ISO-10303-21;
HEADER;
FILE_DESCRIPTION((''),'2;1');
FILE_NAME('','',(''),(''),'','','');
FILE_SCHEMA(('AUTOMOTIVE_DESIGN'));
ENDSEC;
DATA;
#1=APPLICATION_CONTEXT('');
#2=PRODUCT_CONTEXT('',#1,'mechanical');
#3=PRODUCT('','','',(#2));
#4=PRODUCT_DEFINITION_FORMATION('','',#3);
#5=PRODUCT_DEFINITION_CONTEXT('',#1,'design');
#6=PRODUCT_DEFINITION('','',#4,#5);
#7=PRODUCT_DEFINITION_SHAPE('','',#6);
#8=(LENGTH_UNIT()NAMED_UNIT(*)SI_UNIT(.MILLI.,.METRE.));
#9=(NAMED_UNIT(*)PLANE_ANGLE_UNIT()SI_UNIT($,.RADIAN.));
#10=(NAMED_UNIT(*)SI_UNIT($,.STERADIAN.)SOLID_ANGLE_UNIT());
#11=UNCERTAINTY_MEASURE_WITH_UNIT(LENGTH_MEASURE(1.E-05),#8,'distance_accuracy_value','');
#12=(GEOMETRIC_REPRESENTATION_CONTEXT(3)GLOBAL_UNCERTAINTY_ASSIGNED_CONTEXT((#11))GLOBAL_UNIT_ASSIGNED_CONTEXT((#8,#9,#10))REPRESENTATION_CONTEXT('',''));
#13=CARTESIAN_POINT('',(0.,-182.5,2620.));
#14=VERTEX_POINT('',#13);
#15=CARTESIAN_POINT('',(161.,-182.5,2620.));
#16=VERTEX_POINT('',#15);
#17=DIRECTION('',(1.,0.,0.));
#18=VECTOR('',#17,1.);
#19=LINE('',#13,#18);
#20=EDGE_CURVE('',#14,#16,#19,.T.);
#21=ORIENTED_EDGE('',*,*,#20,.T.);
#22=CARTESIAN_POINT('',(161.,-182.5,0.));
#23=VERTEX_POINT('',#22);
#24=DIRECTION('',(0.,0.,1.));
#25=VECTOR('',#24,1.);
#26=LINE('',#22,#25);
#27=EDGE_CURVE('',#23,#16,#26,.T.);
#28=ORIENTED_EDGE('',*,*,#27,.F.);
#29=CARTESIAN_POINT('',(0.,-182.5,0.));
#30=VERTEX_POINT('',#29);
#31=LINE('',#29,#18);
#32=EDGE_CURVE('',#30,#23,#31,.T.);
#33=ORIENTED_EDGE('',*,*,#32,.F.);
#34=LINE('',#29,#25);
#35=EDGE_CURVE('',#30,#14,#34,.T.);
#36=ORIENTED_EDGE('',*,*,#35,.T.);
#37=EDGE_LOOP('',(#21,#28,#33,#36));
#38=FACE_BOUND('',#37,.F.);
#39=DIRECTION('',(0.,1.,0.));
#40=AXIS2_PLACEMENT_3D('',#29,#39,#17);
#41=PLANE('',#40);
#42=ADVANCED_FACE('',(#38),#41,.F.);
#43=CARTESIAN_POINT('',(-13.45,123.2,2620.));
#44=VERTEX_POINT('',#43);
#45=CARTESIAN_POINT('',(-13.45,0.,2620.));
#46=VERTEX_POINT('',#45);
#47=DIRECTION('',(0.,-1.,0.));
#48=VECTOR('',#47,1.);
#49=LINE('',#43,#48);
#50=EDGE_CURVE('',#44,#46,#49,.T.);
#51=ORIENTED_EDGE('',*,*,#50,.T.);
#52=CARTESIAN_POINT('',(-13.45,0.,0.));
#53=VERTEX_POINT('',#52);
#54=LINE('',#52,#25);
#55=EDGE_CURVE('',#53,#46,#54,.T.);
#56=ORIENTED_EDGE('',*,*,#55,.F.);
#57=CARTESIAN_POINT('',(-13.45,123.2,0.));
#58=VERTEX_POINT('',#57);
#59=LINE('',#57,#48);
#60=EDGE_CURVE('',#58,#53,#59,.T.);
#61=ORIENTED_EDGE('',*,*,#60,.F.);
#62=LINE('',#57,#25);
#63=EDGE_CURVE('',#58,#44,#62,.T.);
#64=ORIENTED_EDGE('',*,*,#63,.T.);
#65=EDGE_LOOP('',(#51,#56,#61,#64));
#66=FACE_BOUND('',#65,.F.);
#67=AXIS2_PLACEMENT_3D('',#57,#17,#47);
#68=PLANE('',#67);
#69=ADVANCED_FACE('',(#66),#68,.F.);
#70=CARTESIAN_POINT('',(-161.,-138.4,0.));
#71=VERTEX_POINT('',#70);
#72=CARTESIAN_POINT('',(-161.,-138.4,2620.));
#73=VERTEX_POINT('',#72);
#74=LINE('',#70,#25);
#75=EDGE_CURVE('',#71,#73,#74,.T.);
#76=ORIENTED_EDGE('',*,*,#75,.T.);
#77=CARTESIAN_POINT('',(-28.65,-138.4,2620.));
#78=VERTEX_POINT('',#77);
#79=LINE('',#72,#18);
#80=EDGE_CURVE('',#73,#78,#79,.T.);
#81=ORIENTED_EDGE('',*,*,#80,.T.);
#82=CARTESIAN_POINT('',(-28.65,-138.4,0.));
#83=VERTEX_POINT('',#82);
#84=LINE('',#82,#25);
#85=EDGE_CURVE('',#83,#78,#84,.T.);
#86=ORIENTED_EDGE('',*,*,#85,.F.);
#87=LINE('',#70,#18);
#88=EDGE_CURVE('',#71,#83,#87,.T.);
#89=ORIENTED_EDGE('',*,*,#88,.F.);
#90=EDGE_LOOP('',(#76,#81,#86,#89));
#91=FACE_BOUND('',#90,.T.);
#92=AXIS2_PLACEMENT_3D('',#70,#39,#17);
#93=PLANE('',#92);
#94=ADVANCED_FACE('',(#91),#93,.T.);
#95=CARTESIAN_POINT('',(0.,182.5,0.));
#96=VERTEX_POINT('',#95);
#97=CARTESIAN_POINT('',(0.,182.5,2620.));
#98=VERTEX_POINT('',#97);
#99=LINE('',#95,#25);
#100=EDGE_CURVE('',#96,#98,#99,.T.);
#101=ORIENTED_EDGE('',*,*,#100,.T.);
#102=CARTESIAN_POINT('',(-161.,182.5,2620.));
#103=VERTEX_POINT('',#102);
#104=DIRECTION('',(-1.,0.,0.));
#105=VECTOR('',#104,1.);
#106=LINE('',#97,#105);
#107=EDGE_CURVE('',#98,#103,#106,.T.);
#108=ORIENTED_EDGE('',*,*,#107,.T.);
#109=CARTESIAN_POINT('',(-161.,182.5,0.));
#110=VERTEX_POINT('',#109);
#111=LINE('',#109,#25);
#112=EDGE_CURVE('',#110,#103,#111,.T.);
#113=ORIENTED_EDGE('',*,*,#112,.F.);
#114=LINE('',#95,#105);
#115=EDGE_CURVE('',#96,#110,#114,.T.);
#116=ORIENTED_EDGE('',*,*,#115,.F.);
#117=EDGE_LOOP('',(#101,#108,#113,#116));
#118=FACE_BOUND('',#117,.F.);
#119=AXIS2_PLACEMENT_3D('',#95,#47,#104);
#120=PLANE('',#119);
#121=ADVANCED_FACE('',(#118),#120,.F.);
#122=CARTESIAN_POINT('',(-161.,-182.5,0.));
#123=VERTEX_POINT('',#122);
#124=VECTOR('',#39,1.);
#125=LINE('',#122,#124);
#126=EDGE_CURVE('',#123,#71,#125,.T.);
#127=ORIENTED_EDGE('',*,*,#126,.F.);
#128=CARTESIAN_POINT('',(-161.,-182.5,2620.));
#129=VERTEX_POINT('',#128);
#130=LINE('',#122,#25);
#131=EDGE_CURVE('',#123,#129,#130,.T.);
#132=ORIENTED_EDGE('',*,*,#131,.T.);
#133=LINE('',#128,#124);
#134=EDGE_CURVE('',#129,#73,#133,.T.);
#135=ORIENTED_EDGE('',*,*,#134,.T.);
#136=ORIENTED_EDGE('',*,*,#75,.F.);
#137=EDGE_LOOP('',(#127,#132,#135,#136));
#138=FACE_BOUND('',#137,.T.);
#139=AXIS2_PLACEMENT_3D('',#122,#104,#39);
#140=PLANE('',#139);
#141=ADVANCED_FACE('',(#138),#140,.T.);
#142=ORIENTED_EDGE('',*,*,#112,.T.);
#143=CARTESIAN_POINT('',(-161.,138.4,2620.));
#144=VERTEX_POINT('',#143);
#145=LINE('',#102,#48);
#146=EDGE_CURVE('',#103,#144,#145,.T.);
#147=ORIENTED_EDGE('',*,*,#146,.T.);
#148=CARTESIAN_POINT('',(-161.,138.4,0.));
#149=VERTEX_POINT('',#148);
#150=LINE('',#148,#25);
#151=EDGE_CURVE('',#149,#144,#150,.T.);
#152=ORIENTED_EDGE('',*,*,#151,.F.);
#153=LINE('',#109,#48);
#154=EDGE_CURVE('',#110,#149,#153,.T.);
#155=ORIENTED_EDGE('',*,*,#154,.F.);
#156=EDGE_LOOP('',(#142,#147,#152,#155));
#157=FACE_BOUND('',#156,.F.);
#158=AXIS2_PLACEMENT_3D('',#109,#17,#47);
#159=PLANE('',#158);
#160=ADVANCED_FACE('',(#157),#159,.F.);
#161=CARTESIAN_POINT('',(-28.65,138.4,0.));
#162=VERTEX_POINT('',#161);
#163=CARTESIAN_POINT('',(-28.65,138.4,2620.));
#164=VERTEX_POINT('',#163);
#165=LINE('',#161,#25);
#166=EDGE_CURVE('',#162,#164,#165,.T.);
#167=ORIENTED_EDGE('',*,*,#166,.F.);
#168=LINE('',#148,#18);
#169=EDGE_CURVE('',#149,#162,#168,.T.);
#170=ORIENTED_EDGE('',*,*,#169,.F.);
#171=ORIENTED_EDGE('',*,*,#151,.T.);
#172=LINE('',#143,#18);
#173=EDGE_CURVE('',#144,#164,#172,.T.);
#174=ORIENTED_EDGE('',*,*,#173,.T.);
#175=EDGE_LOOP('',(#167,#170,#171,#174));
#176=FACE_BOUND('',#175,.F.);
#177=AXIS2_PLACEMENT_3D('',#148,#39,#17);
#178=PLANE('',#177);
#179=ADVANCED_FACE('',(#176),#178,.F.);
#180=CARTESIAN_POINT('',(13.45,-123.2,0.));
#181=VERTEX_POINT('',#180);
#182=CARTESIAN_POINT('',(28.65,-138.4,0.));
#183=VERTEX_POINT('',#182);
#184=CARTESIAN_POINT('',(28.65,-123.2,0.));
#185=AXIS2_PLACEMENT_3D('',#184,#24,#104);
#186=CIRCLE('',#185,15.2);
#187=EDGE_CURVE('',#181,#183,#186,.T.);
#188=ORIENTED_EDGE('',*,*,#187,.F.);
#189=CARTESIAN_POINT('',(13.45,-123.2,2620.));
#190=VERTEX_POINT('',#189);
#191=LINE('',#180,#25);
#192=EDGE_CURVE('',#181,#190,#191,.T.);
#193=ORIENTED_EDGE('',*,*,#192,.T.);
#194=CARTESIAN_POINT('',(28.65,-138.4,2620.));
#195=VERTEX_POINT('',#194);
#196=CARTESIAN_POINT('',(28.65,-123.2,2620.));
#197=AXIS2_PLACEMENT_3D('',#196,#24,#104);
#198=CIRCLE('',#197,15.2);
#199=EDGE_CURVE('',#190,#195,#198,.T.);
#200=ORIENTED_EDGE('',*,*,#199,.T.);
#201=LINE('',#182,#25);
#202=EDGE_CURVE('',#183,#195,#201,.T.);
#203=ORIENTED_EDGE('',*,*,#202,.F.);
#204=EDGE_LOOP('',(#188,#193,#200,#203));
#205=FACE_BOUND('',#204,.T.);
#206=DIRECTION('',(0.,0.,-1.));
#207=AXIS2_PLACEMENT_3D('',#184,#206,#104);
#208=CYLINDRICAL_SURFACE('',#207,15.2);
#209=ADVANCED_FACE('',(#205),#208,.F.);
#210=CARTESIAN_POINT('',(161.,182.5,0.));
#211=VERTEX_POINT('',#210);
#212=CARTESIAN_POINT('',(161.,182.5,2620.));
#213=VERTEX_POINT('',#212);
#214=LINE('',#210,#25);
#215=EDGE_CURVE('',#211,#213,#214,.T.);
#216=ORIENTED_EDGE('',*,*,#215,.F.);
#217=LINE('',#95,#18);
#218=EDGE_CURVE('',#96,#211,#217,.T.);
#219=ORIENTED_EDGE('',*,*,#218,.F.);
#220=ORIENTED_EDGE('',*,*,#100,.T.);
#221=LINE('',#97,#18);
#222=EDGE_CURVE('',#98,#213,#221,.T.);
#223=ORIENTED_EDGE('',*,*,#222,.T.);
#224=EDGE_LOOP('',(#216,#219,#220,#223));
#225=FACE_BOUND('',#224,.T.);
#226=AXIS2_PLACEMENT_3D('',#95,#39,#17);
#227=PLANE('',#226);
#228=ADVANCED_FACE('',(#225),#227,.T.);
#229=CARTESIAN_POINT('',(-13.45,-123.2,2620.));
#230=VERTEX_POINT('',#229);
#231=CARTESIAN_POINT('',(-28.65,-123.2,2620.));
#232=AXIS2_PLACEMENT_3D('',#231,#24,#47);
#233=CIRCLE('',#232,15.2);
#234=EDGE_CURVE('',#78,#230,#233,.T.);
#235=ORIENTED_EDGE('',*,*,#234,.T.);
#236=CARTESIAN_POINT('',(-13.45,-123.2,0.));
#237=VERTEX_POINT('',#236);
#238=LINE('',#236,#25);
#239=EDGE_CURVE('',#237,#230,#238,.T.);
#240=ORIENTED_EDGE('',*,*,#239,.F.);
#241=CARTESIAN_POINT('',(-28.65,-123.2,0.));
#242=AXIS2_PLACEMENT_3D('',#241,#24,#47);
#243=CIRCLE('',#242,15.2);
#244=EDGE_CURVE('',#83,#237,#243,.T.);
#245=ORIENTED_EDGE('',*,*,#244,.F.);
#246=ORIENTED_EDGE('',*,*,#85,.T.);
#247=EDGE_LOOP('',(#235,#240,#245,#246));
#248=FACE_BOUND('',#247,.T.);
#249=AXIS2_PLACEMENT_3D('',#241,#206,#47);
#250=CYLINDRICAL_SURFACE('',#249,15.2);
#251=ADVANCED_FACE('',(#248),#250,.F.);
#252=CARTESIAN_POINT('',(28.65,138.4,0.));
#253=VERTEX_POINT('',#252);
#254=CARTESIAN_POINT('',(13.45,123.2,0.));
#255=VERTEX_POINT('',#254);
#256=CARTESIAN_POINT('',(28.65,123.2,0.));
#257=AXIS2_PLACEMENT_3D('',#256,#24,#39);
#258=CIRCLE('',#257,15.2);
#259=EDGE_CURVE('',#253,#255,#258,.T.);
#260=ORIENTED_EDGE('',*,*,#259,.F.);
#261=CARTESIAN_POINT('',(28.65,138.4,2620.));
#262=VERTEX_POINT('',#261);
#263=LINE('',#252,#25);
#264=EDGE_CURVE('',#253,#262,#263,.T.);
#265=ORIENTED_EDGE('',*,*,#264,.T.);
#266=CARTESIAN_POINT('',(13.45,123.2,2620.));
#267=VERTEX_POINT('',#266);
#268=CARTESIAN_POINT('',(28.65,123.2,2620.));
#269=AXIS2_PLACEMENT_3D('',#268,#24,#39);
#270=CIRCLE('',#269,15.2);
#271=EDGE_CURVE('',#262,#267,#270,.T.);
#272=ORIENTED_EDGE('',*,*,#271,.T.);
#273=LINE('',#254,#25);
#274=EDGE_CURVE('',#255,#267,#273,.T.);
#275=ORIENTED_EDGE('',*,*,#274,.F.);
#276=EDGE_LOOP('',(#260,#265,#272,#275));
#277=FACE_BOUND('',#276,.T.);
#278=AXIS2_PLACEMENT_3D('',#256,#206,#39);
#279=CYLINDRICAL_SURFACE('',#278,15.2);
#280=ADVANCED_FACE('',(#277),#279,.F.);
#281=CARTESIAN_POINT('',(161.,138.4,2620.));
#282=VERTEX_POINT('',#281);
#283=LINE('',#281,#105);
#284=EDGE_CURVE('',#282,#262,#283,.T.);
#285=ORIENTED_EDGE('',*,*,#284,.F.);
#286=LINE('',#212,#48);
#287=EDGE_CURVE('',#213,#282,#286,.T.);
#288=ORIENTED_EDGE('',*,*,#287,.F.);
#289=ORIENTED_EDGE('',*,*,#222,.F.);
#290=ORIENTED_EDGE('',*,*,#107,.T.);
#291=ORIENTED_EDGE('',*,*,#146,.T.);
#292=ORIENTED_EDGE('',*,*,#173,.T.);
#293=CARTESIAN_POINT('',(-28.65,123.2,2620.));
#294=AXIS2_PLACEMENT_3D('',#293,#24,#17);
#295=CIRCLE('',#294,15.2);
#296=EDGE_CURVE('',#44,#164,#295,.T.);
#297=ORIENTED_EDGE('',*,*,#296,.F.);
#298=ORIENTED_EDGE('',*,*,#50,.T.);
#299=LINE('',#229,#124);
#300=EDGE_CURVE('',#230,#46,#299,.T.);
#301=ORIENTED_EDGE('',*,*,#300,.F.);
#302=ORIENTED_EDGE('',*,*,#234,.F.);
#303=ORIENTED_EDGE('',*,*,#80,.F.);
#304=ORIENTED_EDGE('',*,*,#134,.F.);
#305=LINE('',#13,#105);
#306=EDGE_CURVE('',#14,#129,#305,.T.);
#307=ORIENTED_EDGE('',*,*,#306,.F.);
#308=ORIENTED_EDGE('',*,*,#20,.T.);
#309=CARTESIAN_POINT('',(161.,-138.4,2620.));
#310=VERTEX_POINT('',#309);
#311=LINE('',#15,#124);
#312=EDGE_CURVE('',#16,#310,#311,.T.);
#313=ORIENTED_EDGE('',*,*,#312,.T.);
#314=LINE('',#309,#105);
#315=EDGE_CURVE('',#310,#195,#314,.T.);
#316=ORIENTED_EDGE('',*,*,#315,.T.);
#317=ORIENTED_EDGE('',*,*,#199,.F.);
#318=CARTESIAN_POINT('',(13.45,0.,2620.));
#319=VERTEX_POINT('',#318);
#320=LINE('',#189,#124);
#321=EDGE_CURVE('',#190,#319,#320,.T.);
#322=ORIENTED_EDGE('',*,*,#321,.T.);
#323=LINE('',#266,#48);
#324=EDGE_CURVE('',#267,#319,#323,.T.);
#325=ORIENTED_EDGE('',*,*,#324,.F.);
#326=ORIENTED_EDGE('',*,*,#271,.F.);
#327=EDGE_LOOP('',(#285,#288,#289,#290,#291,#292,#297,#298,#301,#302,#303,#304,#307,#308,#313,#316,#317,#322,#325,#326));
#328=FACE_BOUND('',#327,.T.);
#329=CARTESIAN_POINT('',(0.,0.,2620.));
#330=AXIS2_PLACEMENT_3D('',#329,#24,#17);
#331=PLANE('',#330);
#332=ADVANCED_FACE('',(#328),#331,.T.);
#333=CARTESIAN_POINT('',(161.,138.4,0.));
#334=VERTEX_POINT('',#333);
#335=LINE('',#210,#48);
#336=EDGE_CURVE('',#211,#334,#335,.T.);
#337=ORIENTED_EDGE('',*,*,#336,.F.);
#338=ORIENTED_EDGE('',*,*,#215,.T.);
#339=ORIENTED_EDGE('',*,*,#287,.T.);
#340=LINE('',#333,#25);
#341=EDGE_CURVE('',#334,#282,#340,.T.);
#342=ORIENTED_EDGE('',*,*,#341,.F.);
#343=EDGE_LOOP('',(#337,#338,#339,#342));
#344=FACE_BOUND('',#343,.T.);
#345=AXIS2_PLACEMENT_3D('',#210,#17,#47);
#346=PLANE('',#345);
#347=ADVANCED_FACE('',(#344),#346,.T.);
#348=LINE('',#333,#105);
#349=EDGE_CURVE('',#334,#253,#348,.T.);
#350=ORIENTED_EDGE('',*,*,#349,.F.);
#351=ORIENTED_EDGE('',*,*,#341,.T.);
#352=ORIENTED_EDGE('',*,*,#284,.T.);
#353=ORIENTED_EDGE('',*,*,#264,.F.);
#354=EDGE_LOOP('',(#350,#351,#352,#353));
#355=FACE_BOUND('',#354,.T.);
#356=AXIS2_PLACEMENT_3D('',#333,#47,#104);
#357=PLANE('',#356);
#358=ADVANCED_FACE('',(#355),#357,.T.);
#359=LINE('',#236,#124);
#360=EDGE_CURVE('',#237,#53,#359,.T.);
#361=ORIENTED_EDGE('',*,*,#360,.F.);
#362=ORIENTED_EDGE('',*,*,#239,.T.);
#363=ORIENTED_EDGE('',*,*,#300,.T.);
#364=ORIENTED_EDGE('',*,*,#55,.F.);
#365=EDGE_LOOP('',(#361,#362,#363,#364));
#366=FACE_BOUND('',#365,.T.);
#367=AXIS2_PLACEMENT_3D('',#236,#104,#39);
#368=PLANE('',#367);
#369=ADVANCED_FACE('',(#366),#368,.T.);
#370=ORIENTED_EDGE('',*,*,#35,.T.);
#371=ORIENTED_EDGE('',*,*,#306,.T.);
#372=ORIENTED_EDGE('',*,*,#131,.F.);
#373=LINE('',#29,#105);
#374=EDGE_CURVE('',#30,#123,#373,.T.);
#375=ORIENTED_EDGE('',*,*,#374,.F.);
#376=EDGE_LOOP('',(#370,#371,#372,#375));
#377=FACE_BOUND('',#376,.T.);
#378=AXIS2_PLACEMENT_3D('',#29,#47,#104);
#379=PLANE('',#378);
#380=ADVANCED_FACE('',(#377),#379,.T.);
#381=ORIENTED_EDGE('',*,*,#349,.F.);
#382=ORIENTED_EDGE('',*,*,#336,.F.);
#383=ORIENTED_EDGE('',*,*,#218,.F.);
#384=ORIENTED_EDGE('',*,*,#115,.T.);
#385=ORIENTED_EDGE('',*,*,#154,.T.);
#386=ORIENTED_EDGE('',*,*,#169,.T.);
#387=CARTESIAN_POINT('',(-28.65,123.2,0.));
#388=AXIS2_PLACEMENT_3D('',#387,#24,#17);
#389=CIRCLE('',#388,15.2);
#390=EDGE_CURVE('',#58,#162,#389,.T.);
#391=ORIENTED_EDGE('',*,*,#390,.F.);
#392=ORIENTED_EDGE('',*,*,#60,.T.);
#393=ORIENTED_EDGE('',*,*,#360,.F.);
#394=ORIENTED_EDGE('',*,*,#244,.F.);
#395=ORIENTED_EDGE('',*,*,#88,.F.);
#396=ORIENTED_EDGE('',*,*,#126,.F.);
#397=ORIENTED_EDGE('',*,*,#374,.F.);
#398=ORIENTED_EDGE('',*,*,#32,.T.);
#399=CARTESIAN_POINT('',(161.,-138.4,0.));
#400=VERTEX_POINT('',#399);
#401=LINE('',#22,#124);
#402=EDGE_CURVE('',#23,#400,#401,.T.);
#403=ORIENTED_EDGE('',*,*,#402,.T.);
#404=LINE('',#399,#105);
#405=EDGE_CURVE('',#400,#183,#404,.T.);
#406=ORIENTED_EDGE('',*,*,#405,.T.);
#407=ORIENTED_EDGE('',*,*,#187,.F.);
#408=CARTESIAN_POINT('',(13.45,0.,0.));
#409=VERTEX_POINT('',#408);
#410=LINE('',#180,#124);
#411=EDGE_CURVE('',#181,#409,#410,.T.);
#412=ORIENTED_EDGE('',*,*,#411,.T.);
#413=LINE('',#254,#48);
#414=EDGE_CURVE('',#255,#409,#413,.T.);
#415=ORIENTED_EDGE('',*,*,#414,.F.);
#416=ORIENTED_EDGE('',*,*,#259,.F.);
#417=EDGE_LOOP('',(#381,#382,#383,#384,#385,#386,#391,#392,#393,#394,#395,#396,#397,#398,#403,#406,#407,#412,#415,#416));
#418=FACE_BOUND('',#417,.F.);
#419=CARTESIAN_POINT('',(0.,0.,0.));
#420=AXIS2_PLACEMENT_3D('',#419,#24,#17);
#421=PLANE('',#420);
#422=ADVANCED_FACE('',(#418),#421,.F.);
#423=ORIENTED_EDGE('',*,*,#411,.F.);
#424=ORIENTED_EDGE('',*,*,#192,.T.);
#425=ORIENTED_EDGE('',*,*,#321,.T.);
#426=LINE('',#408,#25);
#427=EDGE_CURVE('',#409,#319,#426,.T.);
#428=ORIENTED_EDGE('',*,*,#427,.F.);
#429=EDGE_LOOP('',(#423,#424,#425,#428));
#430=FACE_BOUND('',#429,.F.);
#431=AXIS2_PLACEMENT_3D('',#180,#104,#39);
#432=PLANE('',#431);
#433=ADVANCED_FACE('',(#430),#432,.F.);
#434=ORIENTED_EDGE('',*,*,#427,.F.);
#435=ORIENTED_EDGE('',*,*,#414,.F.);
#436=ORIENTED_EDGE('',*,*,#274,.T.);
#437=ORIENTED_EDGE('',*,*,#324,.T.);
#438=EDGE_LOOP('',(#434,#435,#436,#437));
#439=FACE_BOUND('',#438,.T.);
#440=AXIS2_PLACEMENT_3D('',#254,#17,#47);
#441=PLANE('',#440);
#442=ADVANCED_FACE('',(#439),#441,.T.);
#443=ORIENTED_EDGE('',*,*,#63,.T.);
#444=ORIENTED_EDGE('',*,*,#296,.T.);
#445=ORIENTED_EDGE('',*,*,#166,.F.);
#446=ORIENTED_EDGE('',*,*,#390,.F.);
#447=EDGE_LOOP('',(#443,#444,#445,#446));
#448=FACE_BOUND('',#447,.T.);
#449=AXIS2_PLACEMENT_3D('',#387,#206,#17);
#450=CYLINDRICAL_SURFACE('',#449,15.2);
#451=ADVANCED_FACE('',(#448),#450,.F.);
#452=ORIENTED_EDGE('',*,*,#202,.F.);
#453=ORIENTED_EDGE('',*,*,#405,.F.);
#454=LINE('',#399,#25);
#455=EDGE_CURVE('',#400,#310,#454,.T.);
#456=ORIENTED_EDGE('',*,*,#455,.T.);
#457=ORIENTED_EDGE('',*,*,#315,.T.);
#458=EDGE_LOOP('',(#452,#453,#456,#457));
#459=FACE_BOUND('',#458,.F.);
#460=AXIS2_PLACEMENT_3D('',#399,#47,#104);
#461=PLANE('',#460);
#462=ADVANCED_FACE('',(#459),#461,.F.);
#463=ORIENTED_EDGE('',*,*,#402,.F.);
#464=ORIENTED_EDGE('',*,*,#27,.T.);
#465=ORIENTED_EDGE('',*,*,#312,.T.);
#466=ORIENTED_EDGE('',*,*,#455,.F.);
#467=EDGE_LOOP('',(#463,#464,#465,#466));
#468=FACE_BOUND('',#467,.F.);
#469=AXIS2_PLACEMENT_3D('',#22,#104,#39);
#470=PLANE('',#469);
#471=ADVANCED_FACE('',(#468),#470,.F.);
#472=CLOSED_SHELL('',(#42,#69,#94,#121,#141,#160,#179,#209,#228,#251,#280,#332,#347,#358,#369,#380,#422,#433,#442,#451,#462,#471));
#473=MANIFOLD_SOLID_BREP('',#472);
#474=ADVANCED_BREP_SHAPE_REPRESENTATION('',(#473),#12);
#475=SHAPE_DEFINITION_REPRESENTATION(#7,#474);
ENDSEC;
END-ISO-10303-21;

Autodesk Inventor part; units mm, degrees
ref_plane "YZ Plane" through (0, 0, 0) normal (1, 0, 0) x (0, 1, 0)
ref_plane "Start plane" through (0, 0, 0) normal (0, 0, 1) x (1, 0, 0)
ref_plane "End plane" through (0, 0, 2620) normal (0, 0, 1) x (1, 0, 0)
sketch "Sketch" plane through (0, 0, 0) normal (0, 0, 1) x (1, 0, 0)
  line L0 (-161, -182.5) -> (-161, -138.4)
  line L1 (-161, -138.4) -> (-28.65, -138.4)
  line L2 (-13.45, -123.2) -> (-13.45, 0)
  line L3 (-13.45, 0) -> (0, 0) construction
  line L4 (0, 0) -> (0, -182.5) construction
  line L5 (0, -182.5) -> (-161, -182.5)
  line L6 (-60, 0) -> (80, 0) construction
  line L7 (0, -60) -> (0, 80) construction
  line L8 (161, -182.5) -> (161, -138.4)
  line L9 (161, -138.4) -> (28.65, -138.4)
  line L10 (13.45, -123.2) -> (13.45, 0)
  line L11 (13.45, 0) -> (0, 0) construction
  line L12 (0, -182.5) -> (161, -182.5)
  line L13 (-161, 182.5) -> (-161, 138.4)
  line L14 (-161, 138.4) -> (-28.65, 138.4)
  line L15 (-13.45, 123.2) -> (-13.45, 0)
  line L16 (0, 182.5) -> (-161, 182.5)
  line L17 (161, 182.5) -> (161, 138.4)
  line L18 (161, 138.4) -> (28.65, 138.4)
  line L19 (0, 182.5) -> (161, 182.5)
  line L20 (13.45, 123.2) -> (13.45, 0)
  arc A0 (-13.45, 123.2) -> (-28.65, 138.4) centre (-28.65, 123.2) ccw
  arc A1 (28.65, 138.4) -> (13.45, 123.2) centre (28.65, 123.2) ccw
  arc A2 (13.45, -123.2) -> (28.65, -138.4) centre (28.65, -123.2) ccw
  arc A3 (-28.65, -138.4) -> (-13.45, -123.2) centre (-28.65, -123.2) ccw
  line L21 (0, 108) -> (0, -88) construction
  line L22 (-88, 0) -> (108, 0) construction
  point P0 (-13.45, -138.4)
  point P1 (13.45, -138.4)
  point P2 (-13.45, 138.4)
  point P3 (13.45, 138.4)
  dimension "d1" = 182.5
  dimension "d2" = 44.1
  dimension "d3" = 161
  dimension "d4" = 13.45
  dimension "d10" = 15.2
extrude "Body" add sketch "Sketch" along normal up to surface (2620 mm away) from surface at 0
sketch "Sketch4" plane through (0, 0, 0) normal (0, 0, 1) x (1, 0, 0)
  line L0 (0, 0) -> (10, 0)
ref_plane "Work Plane3" through (0, 0, 0) normal (0, -1, 0) x (1, 0, 0)
sketch "Sketch5" plane through (0, 0, 0) normal (0, -1, 0) x (1, 0, 0)
  line L0 (-2, 0) -> (12, 0) projected
  line L1 (-2, 2620) -> (12, 2620) projected
  dimension "d14" = 2620
equation "\"d1\" = 0.5 * G_H"
equation "\"d2\" = G_T1"
equation "\"d3\" = 0.5 * G_W"
equation "\"d4\" = 0.5 * G_T"
equation "\"d10\" = G_IR"
equation "\"d5\" = G_L"
equation "\"G_W\" = 322"
equation "\"G_H\" = 365"
equation "\"G_T\" = 26.9"
equation "\"G_T1\" = 44.1"
equation "\"G_IR\" = 15.2"
equation "\"G_L\" = d14"
equation "\"G_OFFSET_START\" = 0"
equation "\"G_OFFSET_END\" = 0"
properties part number "AS 3679 - 310 UC - 283 - 2620" material "Steel, Mild"
